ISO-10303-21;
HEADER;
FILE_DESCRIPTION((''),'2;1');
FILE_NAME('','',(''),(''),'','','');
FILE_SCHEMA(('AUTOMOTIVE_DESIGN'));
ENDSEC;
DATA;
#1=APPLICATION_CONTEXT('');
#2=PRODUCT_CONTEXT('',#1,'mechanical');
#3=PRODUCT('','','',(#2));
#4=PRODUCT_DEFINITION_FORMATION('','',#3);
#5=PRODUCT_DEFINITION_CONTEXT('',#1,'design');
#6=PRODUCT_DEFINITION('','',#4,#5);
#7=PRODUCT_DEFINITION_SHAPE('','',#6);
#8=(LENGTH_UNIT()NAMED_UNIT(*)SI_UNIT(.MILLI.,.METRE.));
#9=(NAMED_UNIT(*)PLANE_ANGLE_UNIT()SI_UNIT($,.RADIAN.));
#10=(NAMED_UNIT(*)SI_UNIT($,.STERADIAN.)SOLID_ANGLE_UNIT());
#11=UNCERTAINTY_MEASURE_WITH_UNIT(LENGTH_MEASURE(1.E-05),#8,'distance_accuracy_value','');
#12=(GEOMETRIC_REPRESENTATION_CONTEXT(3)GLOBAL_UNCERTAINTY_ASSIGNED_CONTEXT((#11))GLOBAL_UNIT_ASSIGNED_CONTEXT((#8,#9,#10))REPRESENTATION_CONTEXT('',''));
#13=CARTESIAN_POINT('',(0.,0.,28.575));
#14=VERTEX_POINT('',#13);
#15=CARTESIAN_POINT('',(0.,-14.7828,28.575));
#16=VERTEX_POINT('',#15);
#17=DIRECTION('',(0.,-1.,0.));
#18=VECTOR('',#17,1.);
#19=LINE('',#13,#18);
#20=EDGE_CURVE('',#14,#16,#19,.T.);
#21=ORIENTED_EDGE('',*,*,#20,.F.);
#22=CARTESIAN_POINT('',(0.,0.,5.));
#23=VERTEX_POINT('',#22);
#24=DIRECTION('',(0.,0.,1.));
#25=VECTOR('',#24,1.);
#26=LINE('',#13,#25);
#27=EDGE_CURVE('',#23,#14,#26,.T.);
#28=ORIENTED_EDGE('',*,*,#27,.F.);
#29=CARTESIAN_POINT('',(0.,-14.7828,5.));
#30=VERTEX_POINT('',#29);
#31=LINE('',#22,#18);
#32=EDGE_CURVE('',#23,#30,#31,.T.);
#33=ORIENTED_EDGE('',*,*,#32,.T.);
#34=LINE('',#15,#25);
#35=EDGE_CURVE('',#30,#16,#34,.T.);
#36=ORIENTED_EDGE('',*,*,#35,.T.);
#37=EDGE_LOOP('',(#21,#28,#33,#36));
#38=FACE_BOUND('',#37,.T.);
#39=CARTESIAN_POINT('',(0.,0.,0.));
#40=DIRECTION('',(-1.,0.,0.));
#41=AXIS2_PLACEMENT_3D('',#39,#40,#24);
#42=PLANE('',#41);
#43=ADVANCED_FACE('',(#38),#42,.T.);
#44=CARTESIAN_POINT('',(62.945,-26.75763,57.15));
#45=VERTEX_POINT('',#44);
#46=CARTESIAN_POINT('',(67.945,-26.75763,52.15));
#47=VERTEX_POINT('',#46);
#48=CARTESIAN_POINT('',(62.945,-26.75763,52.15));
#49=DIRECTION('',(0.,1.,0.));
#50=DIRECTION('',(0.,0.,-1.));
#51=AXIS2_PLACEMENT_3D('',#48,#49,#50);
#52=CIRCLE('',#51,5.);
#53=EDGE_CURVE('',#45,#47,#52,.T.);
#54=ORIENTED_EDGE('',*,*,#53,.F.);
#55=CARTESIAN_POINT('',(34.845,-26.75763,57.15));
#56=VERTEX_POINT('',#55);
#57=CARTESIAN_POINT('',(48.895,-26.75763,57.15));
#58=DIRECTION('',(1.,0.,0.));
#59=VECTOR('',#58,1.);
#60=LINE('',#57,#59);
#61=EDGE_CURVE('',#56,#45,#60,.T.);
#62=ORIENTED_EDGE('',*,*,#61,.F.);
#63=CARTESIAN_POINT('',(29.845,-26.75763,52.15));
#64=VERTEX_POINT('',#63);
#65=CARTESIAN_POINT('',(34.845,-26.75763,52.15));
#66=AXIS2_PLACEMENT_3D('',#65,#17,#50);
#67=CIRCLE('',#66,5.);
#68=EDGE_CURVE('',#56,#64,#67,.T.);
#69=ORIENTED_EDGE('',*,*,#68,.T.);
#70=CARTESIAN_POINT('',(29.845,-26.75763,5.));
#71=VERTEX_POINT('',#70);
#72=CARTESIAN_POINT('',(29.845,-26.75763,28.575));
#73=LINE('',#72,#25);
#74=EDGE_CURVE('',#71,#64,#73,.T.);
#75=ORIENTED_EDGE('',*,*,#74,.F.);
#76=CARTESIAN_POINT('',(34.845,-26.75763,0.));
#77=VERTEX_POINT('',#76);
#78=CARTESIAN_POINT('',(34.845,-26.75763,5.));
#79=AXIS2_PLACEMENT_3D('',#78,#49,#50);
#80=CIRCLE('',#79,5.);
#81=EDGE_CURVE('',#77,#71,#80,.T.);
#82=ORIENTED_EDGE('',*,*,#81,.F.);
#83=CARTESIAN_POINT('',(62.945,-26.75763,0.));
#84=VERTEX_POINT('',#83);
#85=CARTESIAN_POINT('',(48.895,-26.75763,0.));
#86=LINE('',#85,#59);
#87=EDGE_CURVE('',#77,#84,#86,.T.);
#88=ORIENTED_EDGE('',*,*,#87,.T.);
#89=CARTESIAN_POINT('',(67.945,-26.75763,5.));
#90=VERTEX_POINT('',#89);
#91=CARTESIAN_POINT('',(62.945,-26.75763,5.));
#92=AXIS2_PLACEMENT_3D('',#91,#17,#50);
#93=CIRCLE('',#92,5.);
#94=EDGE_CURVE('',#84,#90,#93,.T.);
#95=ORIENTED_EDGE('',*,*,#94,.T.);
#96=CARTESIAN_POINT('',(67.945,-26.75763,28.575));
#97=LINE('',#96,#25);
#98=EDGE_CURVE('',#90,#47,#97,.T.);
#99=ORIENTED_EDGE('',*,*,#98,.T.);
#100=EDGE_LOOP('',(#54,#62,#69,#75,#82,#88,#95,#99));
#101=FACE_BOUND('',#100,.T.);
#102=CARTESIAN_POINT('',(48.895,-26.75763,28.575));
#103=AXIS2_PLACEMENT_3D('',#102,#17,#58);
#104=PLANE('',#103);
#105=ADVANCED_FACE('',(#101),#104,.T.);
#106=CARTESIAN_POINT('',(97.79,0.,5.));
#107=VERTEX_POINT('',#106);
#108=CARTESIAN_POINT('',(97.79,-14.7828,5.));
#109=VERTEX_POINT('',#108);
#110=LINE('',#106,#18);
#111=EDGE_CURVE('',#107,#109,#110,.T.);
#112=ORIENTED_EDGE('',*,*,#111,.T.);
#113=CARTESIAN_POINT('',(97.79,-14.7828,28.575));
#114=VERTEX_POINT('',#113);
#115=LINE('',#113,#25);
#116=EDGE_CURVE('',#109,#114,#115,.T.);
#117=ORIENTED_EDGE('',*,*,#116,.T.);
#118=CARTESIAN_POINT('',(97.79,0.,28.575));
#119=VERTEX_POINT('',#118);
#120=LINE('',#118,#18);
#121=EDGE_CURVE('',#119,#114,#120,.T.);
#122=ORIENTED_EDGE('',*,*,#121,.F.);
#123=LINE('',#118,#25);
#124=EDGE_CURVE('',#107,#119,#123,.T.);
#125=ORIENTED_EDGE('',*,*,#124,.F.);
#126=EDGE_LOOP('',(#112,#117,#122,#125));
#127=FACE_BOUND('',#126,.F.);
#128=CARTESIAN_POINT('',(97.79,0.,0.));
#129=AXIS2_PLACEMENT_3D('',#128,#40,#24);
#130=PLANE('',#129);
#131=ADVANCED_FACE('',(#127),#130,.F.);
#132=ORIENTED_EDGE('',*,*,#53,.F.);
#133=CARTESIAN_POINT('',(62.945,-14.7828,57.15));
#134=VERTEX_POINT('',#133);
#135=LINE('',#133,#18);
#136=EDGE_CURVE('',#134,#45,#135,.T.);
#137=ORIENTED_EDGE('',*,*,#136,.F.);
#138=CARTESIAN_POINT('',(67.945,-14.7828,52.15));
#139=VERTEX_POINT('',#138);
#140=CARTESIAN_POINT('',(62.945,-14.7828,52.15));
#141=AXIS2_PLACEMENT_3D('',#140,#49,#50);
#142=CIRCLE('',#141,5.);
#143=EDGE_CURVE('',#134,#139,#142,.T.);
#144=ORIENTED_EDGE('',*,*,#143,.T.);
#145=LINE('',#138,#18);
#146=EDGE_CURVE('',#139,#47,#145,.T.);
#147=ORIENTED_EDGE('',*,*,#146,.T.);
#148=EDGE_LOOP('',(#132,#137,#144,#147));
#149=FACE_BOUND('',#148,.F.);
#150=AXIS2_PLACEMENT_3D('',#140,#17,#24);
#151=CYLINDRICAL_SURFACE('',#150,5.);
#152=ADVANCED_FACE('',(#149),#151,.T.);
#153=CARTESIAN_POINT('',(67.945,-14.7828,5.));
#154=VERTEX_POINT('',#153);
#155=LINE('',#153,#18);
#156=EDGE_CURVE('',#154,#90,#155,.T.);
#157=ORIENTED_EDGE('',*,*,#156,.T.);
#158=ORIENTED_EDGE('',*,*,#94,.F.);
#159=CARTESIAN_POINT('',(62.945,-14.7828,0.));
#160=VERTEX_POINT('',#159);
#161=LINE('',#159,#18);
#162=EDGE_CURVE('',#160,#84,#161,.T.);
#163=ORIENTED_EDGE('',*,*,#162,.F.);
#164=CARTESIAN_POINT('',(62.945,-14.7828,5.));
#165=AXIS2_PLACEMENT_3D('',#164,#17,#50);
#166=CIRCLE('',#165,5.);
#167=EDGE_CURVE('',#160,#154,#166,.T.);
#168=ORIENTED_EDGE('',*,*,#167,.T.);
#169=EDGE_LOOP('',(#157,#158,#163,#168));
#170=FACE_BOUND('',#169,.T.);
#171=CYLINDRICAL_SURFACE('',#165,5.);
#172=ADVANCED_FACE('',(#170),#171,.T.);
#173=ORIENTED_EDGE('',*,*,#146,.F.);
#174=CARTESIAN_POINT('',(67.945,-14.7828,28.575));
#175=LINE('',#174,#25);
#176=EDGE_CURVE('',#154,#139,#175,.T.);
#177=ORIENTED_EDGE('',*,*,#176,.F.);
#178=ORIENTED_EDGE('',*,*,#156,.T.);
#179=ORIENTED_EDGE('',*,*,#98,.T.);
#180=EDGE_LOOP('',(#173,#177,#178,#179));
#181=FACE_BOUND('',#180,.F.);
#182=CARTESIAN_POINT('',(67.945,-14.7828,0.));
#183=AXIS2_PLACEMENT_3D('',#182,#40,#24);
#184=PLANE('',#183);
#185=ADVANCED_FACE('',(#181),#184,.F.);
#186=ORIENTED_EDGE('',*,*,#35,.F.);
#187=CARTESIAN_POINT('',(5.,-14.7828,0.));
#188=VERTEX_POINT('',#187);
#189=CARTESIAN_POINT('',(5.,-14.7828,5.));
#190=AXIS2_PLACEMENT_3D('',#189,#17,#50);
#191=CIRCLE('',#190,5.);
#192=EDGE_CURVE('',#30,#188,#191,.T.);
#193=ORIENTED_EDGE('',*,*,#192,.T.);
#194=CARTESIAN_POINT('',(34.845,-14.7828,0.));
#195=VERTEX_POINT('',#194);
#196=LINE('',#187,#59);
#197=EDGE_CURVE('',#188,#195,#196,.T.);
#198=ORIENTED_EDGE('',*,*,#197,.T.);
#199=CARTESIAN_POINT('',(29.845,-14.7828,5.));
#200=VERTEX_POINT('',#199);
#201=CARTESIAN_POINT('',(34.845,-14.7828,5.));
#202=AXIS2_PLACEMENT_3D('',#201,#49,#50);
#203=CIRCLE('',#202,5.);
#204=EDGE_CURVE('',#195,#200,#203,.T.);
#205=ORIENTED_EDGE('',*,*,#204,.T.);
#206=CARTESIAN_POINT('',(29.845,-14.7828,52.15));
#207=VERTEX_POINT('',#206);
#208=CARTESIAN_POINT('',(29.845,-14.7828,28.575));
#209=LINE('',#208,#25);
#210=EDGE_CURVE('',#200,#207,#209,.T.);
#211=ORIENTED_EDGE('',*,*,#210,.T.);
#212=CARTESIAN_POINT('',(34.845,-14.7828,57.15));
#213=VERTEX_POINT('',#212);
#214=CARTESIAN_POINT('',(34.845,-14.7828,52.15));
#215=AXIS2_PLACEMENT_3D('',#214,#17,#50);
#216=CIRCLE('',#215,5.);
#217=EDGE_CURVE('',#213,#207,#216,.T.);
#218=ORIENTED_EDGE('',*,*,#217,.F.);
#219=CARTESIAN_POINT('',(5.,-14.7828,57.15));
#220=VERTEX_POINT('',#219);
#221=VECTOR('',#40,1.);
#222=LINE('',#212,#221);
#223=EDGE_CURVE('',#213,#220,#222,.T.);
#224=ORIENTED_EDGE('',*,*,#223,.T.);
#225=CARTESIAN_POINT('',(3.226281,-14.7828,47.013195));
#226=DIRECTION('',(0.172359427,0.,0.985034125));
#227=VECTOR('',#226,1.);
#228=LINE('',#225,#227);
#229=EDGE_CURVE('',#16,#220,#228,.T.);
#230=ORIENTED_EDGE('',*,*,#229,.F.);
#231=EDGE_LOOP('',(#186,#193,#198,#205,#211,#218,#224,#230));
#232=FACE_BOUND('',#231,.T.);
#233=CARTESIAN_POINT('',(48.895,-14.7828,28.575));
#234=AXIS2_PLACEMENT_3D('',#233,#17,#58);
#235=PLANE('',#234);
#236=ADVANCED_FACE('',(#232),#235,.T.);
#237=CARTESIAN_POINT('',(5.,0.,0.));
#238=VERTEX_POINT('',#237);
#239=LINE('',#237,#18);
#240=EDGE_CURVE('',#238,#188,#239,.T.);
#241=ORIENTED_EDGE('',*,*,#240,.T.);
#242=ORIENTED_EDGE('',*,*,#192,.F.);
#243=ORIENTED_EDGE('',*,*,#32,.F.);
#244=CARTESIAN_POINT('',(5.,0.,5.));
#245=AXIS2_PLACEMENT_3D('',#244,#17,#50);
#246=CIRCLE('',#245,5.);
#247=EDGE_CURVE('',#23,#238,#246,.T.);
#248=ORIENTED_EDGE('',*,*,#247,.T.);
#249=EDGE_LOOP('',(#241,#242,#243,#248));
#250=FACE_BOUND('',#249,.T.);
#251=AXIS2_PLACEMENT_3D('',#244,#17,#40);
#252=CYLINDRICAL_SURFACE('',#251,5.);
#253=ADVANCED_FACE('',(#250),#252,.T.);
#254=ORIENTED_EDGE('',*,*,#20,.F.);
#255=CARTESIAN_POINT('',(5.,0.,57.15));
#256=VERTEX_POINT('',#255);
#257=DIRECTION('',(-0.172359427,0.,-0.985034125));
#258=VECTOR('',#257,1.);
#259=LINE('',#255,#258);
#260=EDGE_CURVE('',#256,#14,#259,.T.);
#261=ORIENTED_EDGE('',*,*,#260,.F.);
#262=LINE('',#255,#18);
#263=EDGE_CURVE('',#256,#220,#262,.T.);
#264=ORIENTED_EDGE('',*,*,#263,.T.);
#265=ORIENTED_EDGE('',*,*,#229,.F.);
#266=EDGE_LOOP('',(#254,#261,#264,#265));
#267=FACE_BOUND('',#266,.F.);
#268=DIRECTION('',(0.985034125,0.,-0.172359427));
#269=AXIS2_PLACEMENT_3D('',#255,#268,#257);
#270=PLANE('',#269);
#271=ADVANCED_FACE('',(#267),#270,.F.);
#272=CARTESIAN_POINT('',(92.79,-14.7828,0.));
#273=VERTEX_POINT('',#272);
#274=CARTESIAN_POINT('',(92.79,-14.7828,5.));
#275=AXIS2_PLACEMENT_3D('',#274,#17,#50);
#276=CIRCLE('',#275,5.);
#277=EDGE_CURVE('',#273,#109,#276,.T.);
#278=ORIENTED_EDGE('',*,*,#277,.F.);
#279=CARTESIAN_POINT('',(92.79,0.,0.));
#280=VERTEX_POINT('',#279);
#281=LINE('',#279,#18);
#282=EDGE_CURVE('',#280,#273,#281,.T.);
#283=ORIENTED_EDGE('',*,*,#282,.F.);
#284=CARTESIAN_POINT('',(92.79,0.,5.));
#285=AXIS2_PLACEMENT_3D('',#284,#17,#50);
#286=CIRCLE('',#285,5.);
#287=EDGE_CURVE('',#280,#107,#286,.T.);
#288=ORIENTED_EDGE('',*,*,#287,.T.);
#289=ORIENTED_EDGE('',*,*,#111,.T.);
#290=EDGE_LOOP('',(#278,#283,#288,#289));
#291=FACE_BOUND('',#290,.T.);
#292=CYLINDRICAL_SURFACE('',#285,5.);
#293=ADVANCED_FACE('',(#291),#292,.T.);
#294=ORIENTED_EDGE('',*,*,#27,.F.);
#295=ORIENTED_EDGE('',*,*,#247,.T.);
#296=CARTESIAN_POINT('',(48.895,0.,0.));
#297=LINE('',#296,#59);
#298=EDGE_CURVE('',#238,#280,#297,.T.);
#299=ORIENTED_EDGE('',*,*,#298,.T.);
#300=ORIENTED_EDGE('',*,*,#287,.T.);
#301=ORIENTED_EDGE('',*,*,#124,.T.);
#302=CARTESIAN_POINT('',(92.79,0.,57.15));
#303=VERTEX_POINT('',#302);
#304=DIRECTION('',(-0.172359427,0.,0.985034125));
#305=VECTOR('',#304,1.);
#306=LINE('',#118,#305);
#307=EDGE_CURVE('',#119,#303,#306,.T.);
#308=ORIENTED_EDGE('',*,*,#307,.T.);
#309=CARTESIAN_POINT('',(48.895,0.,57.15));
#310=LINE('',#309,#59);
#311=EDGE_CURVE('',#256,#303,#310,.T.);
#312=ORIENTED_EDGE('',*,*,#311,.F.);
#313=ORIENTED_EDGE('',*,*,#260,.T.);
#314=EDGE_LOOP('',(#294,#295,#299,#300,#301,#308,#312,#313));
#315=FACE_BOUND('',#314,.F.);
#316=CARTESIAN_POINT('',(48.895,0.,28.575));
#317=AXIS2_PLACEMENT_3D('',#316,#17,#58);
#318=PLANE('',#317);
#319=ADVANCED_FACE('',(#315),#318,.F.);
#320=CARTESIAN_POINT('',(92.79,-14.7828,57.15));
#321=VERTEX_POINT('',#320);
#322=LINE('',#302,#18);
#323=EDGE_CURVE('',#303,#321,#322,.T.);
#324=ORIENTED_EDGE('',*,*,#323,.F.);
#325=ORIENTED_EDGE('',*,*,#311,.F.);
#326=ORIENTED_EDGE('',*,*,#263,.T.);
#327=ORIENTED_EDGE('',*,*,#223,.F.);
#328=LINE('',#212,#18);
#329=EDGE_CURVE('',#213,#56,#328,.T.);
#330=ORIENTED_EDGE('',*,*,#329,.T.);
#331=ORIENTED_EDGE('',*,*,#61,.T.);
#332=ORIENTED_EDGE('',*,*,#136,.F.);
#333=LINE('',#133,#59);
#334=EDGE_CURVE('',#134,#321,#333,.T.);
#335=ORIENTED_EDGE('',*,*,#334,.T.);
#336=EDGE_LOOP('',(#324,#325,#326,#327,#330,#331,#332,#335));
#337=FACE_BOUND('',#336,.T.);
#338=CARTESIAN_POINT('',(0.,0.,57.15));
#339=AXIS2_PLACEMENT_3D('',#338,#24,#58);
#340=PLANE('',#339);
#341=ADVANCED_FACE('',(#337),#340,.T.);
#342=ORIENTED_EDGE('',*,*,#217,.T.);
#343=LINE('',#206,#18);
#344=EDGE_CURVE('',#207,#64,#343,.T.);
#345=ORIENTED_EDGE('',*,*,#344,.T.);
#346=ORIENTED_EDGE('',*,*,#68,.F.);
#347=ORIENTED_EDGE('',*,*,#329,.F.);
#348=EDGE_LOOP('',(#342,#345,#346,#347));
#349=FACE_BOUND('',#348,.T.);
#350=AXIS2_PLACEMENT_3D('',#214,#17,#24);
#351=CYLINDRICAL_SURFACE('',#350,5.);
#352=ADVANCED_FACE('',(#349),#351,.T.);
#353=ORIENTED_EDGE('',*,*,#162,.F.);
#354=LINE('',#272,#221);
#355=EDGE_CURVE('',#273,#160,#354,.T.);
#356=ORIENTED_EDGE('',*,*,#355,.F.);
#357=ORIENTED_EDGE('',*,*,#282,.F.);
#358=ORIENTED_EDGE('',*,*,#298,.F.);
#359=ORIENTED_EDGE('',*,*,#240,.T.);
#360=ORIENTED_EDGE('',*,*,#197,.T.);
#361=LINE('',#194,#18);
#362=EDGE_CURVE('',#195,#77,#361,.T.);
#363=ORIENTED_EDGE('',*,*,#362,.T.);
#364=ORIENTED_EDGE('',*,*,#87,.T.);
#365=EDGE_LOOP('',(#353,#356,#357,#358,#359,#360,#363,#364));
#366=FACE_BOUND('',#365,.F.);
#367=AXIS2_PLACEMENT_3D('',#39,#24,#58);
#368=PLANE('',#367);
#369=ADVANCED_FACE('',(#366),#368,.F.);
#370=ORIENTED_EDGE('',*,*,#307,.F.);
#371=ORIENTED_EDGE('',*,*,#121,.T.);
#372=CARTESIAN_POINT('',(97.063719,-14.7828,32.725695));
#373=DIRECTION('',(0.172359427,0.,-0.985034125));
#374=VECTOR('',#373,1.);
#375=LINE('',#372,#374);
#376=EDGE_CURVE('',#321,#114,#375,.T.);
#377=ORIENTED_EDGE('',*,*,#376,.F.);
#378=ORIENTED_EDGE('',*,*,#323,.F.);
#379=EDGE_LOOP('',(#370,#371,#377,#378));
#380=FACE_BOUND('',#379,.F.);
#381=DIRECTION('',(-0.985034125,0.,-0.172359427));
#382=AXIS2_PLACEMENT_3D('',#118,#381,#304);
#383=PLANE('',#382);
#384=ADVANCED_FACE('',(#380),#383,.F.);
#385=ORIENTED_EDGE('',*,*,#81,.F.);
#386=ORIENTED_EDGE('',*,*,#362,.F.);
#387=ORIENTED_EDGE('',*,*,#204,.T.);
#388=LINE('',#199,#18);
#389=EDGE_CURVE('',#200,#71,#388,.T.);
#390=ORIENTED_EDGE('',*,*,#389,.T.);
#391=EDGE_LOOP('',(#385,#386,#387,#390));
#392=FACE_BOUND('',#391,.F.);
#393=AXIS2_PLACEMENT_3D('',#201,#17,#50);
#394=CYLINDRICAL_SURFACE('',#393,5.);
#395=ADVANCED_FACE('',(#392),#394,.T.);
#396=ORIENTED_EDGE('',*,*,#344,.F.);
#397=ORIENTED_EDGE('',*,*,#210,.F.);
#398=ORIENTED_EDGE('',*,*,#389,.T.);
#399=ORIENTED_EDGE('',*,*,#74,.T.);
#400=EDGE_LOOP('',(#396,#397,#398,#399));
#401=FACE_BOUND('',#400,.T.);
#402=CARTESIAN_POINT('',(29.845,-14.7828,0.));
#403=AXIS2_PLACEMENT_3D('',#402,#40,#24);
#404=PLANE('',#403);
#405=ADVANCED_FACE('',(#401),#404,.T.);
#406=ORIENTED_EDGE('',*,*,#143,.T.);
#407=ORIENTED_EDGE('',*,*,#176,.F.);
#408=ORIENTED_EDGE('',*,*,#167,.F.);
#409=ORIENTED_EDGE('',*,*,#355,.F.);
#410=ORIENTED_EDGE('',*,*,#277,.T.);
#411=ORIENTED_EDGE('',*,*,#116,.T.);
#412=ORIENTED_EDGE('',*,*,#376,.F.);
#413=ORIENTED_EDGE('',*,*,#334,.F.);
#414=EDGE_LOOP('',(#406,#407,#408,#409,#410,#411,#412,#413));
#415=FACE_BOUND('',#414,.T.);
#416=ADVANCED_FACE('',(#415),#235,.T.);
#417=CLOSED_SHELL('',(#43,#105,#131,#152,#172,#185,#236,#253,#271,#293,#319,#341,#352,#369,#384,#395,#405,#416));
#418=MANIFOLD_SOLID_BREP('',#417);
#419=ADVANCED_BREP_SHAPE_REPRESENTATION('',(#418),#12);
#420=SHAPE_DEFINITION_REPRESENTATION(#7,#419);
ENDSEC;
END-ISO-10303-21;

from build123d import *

# Parameters (mm, degrees)
F0_W     = 97.79
F0_H     = 57.15
F1_DEPTH = 14.7828
F2_W     = 38.1
F2_H     = 57.15
F3_DEPTH = 11.97483
F4_R     = 5
F6_DEPTH = 26.75863


with BuildPart() as f1:
    # F0 (on Front) → F1 (new body)
    with BuildSketch(Plane.XZ):
        with Locations((48.895, 28.575)):
            Rectangle(F0_W, F0_H)
    extrude(amount=F1_DEPTH)

    # F2 (on face) → F3 (join)
    with BuildSketch(Plane.XZ.offset(14.7828)):
        with Locations((48.895, 28.575)):
            Rectangle(F2_W, F2_H)
    extrude(amount=F3_DEPTH)

    # F4
    f4_edges = [f1.edges().sort_by_distance(p)[0] for p in [
        (0, -7.3914, 0),
        (29.845, -20.770215, 0),
        (67.945, -20.770215, 0),
        (97.79, -7.3914, 0),
        (97.79, -7.3914, 57.15),
        (67.945, -20.770215, 57.15),
        (29.845, -20.770215, 57.15),
        (0, -7.3914, 57.15),
    ]]
    fillet(f4_edges, radius=F4_R)

    # F5 (on face) → F6 (cut, through all)
    with BuildSketch(Plane(origin=(0, 0, 0), x_dir=(-1, 0, 0), z_dir=(0, 1, 0))):
        Polygon((-97.79, 58.0248906387), (-97.79, 28.575), (-92.79, 57.15), align=None)
        Polygon((-5, 57.15), (0, 28.575), (0, 58.0248906387), align=None)
    extrude(amount=-F6_DEPTH, mode=Mode.SUBTRACT)


solid = f1.part
